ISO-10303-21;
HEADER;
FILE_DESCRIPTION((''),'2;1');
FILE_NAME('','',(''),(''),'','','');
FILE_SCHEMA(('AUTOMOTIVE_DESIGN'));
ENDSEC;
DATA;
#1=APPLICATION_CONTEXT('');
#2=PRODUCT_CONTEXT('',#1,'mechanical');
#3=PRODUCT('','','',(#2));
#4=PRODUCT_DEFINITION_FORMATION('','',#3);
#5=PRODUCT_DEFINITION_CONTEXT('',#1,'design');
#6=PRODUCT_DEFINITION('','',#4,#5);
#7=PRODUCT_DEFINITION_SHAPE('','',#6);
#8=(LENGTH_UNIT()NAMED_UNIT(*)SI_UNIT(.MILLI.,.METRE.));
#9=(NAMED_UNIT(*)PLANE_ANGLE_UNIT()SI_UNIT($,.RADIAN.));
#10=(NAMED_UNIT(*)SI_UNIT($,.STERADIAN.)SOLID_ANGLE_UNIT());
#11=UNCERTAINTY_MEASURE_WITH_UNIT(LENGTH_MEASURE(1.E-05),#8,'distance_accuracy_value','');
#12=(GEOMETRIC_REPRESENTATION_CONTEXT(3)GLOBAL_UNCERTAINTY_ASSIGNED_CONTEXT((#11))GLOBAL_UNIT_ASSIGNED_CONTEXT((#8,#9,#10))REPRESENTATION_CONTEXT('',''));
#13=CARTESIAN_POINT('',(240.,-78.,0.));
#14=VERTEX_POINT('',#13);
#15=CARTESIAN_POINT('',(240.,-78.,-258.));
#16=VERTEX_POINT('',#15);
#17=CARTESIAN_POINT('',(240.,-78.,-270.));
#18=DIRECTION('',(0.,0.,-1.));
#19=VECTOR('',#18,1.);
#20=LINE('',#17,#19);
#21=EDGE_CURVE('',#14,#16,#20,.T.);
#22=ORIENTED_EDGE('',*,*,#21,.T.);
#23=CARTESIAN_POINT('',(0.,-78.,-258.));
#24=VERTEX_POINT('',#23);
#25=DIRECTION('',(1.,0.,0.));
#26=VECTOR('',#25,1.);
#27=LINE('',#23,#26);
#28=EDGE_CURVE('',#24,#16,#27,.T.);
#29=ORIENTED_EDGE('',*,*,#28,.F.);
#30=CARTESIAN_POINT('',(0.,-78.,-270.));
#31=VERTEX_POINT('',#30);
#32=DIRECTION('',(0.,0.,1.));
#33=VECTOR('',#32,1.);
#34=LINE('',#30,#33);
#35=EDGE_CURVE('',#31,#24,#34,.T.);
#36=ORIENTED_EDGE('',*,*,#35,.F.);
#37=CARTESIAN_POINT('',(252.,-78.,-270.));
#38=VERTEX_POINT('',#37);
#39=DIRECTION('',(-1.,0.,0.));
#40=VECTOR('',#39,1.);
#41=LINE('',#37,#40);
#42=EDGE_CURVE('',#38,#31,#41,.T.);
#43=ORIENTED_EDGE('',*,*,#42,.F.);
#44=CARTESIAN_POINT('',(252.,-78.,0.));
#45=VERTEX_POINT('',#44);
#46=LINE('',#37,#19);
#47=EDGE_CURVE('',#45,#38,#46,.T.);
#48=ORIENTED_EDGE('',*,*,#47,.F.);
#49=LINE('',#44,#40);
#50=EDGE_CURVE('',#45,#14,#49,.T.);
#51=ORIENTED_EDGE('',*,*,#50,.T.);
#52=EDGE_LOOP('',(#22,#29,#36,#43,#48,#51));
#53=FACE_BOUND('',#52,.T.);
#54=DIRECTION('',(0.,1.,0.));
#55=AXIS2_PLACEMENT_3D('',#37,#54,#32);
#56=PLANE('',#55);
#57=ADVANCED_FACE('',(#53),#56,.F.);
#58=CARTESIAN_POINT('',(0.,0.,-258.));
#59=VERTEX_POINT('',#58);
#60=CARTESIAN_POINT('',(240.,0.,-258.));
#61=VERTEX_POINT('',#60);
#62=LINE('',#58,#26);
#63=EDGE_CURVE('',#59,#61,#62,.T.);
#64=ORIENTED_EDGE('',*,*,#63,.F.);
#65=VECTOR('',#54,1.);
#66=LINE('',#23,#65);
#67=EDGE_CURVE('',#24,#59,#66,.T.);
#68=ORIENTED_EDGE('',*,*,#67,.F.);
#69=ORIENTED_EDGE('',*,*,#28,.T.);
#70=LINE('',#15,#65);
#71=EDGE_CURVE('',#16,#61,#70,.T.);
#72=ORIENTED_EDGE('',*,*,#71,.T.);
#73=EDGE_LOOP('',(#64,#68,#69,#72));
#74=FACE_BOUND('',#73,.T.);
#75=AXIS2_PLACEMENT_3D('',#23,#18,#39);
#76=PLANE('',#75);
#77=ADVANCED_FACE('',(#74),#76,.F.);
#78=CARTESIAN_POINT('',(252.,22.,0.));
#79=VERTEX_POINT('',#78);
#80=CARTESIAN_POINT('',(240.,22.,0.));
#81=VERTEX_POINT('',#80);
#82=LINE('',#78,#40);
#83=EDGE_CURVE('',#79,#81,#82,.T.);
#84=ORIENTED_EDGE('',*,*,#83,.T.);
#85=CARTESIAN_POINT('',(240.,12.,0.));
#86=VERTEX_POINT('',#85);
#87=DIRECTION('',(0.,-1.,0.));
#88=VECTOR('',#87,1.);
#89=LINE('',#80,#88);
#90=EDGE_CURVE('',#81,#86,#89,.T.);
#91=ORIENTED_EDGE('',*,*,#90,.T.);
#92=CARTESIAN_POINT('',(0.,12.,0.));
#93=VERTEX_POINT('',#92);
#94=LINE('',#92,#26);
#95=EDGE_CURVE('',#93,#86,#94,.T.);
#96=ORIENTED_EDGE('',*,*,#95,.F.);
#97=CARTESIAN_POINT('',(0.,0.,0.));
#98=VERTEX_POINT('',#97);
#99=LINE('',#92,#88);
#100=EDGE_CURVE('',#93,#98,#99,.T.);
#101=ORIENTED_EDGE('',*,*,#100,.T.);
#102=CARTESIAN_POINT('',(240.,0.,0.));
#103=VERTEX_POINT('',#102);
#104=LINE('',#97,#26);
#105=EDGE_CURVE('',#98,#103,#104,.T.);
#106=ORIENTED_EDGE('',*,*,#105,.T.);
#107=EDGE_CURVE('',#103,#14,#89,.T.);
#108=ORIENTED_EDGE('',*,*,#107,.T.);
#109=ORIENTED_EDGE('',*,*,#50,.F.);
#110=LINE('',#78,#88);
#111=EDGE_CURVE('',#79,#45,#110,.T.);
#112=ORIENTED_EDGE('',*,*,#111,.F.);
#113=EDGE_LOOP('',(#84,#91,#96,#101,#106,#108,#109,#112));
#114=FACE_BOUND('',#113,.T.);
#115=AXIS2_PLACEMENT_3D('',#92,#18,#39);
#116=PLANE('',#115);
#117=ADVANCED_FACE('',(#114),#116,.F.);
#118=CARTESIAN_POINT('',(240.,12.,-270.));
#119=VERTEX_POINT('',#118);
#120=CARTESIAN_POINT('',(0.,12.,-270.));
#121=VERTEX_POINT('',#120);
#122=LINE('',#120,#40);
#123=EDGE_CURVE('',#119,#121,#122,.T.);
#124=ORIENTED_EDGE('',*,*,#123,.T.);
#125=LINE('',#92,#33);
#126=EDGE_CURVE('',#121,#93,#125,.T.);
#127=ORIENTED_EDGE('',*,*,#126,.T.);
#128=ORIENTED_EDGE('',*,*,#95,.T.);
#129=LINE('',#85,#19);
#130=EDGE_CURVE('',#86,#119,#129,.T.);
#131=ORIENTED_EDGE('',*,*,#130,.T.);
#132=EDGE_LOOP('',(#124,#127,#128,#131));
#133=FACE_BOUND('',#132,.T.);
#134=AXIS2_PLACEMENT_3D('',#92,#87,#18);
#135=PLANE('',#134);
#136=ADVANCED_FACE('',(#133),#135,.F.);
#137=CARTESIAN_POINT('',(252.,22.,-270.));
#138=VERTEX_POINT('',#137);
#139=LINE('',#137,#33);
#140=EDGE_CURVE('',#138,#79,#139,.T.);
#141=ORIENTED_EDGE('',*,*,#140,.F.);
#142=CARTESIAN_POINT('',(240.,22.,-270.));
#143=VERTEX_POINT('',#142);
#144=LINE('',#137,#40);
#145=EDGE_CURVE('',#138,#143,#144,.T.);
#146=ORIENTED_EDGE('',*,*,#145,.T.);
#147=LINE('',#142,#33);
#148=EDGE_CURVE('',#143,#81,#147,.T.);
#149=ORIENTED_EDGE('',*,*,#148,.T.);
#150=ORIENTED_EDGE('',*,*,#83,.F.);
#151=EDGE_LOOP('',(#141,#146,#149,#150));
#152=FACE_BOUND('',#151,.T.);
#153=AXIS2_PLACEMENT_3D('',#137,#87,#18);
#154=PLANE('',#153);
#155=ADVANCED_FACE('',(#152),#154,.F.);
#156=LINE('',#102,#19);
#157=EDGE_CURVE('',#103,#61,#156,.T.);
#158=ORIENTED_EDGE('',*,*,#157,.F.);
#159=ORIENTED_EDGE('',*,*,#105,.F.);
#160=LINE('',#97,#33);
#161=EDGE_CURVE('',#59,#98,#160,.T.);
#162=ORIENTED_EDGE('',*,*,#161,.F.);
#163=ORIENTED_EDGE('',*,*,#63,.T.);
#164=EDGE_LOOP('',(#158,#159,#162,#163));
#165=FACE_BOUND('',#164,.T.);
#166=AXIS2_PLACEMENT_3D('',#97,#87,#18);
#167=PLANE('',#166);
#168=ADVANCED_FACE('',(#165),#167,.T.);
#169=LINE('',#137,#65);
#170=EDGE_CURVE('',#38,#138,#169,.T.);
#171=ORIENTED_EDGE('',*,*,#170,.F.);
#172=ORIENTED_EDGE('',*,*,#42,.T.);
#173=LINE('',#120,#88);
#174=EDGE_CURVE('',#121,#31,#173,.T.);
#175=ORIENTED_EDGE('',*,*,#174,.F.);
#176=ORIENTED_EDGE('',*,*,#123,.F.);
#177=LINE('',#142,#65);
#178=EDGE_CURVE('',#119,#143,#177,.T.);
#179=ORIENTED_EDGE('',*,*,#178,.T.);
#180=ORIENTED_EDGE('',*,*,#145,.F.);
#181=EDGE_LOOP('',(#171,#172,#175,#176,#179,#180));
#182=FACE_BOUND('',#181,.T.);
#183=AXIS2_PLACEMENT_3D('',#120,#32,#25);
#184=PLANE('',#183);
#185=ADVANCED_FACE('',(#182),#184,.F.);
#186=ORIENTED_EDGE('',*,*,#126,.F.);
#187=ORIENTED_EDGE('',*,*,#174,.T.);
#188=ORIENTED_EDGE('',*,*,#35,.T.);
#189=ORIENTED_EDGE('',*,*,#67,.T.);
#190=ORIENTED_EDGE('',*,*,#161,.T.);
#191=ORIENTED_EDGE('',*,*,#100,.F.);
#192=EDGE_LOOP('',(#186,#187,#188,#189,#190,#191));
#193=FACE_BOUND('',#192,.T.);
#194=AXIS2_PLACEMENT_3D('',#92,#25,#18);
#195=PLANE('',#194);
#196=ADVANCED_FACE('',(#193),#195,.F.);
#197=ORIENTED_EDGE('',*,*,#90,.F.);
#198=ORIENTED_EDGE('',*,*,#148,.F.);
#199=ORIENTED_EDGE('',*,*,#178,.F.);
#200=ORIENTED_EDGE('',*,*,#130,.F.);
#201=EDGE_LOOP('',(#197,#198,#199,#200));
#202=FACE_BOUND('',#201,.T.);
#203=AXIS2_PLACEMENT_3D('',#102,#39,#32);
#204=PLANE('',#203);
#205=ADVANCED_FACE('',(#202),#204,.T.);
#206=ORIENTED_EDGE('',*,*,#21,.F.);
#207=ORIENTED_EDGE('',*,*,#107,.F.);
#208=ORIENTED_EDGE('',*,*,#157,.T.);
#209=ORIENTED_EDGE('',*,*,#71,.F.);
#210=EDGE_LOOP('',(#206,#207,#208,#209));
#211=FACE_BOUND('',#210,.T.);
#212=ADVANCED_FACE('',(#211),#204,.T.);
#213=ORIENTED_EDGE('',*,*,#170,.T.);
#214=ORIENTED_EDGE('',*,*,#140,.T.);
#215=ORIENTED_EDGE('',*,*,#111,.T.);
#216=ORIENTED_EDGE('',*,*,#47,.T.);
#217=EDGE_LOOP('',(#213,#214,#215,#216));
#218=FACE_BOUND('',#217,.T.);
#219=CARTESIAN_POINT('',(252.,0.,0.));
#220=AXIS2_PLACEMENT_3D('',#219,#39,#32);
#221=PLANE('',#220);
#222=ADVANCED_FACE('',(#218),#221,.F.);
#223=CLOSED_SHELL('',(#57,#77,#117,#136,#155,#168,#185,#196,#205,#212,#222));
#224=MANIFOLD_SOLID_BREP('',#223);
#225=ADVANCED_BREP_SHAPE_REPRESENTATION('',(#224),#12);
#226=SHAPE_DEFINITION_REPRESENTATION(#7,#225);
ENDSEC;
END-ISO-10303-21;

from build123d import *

# Parameters (mm, degrees)
SKETCH_2_W      = 240
SKETCH_2_H      = 270
EXTRUDE_1_DEPTH = 12
SKETCH_3_W      = 270
SKETCH_3_H      = 100
EXTRUDE_2_DEPTH = 12
SKETCH_4_W      = 12
SKETCH_4_H      = 78
EXTRUDE_3_DEPTH = 240


with BuildPart() as part:
    # 草图2 → 凸台-拉伸1 (new body)
    with BuildSketch(Plane(origin=(0, 0, 0), x_dir=(1, 0, 0), z_dir=(0, 1, 0))):
        with Locations((120, 135)):
            Rectangle(SKETCH_2_W, SKETCH_2_H)
    extrude(amount=EXTRUDE_1_DEPTH)

    # 草图3 → 凸台-拉伸2 (add)
    with BuildSketch(Plane(origin=(240, 0, 0), x_dir=(0, 0, -1), z_dir=(1, 0, 0))):
        with Locations((135, -28)):
            Rectangle(SKETCH_3_W, SKETCH_3_H)
    extrude(amount=EXTRUDE_2_DEPTH)

    # 草图4 → 凸台-拉伸3 (add)
    with BuildSketch(Plane.ZY.offset(-240)):
        with Locations((-264, -39)):
            Rectangle(SKETCH_4_W, SKETCH_4_H)
    extrude(amount=EXTRUDE_3_DEPTH)


solid = part.part
